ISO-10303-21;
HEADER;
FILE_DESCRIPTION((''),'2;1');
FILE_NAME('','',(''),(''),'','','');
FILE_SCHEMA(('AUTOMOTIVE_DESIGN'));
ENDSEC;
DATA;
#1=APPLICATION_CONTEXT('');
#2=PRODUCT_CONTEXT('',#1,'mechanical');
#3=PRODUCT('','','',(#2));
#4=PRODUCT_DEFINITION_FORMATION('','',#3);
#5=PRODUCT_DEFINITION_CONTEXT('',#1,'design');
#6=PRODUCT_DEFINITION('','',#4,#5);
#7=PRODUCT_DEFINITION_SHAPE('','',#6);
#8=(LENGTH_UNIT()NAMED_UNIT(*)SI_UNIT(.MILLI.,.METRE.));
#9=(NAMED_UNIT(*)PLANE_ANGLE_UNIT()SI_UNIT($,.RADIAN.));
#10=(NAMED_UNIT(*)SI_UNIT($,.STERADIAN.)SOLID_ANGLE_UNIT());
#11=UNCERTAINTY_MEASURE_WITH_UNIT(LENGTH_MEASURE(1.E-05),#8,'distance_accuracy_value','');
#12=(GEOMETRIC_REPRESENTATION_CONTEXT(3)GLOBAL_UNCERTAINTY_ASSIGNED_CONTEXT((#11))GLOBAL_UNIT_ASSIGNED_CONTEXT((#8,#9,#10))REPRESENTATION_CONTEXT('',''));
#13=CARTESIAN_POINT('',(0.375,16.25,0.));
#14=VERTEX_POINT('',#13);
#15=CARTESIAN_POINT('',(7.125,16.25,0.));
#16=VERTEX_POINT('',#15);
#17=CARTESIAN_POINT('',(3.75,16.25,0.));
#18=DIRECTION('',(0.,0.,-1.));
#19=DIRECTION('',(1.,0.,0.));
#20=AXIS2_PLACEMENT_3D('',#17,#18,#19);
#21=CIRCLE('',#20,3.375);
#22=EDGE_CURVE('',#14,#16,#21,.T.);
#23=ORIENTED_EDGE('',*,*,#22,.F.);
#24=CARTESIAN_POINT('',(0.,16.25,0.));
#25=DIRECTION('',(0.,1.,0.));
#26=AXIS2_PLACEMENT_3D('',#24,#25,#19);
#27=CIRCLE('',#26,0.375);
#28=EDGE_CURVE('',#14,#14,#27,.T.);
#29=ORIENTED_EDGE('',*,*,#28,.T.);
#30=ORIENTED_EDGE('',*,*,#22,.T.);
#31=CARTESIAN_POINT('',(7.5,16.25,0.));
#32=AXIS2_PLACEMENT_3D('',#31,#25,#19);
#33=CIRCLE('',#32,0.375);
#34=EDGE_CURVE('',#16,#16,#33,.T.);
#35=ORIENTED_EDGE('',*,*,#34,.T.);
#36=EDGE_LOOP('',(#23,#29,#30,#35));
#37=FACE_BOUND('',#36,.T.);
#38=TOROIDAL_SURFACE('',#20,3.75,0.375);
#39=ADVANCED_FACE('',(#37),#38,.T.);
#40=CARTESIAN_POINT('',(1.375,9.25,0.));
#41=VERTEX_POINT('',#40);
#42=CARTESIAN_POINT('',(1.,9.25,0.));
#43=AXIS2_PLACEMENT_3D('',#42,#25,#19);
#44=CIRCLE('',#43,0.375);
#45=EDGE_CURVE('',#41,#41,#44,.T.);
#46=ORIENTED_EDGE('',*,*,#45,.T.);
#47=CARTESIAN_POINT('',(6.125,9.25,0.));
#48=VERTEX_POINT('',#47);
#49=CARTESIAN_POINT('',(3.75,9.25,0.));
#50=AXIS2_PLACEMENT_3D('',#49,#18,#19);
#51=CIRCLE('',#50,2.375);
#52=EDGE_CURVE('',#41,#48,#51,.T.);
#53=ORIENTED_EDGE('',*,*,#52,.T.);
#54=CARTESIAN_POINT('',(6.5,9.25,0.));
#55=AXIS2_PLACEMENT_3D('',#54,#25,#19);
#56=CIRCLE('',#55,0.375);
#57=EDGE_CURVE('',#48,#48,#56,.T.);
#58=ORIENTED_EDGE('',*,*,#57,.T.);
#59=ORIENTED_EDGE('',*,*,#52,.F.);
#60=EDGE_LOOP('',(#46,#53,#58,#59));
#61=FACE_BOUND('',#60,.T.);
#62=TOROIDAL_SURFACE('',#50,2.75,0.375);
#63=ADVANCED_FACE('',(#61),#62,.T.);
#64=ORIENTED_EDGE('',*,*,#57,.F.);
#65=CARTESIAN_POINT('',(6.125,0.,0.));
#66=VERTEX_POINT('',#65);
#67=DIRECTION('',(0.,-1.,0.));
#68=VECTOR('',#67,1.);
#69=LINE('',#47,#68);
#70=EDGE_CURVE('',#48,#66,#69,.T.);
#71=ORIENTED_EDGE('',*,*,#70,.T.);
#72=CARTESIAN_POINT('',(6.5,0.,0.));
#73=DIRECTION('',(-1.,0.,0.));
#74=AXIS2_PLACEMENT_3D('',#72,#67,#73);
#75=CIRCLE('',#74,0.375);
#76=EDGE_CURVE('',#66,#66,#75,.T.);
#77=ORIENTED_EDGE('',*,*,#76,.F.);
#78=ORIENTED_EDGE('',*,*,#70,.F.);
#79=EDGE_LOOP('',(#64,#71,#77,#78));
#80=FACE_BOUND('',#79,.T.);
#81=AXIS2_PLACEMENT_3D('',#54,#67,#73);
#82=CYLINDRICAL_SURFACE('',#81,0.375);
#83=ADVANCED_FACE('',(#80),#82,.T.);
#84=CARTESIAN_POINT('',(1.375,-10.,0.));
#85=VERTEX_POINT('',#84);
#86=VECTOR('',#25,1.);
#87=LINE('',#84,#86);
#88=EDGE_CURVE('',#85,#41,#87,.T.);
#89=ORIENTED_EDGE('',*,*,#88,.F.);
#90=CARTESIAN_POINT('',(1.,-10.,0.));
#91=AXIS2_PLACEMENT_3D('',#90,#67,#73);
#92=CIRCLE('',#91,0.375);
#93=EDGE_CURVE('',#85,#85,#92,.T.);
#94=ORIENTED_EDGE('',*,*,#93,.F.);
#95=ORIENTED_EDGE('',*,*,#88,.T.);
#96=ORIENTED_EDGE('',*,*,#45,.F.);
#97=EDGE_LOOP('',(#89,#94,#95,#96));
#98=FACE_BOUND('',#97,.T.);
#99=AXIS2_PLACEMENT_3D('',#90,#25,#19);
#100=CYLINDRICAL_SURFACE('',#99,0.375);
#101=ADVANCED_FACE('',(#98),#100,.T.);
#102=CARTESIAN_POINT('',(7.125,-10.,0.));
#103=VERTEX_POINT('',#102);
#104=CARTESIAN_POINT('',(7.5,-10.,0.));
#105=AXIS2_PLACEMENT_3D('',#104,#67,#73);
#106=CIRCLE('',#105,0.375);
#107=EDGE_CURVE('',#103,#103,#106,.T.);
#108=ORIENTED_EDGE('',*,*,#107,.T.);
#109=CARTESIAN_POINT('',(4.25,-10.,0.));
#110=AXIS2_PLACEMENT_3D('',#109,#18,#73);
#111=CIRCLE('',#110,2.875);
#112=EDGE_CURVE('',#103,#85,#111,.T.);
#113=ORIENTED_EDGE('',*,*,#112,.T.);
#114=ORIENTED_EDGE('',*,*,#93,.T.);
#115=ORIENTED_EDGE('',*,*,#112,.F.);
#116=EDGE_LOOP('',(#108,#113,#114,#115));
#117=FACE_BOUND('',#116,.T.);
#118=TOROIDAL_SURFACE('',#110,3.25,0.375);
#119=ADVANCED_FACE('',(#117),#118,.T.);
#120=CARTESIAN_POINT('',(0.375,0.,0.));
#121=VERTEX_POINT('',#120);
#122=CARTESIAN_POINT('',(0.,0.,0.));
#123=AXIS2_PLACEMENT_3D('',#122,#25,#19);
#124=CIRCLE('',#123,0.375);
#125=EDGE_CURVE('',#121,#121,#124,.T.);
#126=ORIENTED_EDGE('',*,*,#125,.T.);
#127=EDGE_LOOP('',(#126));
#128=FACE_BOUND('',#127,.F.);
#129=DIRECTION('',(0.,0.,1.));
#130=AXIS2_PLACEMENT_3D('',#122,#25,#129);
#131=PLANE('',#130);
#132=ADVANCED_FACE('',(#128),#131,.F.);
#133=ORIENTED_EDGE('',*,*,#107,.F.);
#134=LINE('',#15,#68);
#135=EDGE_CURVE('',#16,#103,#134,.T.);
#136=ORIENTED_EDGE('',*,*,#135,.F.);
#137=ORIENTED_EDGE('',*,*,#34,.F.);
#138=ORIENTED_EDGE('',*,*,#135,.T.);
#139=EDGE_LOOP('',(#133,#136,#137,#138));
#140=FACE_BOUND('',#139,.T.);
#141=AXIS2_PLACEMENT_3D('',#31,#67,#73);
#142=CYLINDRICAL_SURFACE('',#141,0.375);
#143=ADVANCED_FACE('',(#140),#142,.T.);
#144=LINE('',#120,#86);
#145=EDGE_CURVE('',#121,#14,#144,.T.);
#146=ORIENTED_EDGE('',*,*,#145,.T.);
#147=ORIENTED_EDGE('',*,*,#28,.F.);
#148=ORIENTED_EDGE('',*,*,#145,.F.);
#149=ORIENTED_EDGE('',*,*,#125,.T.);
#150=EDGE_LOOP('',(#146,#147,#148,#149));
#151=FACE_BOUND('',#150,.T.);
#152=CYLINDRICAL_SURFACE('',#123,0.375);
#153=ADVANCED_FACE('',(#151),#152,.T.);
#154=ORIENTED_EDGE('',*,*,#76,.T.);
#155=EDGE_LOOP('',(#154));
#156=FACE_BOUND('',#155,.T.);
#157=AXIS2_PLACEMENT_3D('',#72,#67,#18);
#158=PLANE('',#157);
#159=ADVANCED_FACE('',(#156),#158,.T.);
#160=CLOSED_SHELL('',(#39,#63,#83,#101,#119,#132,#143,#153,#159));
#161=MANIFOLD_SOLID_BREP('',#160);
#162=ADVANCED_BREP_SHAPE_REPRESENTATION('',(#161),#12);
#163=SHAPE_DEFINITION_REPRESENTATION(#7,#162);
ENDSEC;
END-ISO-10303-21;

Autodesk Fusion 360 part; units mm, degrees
sketch "Sketch1" plane through (0, 0, 0) normal (0, 0, 1) x (1, 0, 0)
sketch "Sketch2" plane through (0, 0, 0) normal (0, 0, 1) x (1, 0, 0)
  line L0 (0, 0) -> (0, 16.25)
  line L1 (0, 16.25) -> (7.5, 16.25) construction
  line L2 (7.5, 16.25) -> (7.5, -10)
  line L3 (7.5, -10) -> (1, -10) construction
  line L4 (1, -10) -> (1, 9.25)
  line L5 (1, 9.25) -> (6.5, 9.25) construction
  line L6 (6.5, 9.25) -> (6.5, 0)
  arc A0 (7.5, 16.25) -> (0, 16.25) centre (3.75, 16.25) ccw
  arc A1 (6.5, 9.25) -> (1, 9.25) centre (3.75, 9.25) ccw
  arc A2 (1, -10) -> (7.5, -10) centre (4.25, -10) ccw
  dimension "d1" = 16.25
  dimension "d2" = 26.25
  dimension "d3" = 19.25
  dimension "d4" = 5.5
sketch "Sketch3" plane through (0, 0, 0) normal (0, 1, 0) x (1, 0, 0)
  circle A0 centre (0, 0) radius 0.375
  dimension "d5" = 0.75
sweep "Sweep1" add profiles "Sketch3" path "Sketch2" along L0 A0 L2 A2 L4 A1 L6 section 1
